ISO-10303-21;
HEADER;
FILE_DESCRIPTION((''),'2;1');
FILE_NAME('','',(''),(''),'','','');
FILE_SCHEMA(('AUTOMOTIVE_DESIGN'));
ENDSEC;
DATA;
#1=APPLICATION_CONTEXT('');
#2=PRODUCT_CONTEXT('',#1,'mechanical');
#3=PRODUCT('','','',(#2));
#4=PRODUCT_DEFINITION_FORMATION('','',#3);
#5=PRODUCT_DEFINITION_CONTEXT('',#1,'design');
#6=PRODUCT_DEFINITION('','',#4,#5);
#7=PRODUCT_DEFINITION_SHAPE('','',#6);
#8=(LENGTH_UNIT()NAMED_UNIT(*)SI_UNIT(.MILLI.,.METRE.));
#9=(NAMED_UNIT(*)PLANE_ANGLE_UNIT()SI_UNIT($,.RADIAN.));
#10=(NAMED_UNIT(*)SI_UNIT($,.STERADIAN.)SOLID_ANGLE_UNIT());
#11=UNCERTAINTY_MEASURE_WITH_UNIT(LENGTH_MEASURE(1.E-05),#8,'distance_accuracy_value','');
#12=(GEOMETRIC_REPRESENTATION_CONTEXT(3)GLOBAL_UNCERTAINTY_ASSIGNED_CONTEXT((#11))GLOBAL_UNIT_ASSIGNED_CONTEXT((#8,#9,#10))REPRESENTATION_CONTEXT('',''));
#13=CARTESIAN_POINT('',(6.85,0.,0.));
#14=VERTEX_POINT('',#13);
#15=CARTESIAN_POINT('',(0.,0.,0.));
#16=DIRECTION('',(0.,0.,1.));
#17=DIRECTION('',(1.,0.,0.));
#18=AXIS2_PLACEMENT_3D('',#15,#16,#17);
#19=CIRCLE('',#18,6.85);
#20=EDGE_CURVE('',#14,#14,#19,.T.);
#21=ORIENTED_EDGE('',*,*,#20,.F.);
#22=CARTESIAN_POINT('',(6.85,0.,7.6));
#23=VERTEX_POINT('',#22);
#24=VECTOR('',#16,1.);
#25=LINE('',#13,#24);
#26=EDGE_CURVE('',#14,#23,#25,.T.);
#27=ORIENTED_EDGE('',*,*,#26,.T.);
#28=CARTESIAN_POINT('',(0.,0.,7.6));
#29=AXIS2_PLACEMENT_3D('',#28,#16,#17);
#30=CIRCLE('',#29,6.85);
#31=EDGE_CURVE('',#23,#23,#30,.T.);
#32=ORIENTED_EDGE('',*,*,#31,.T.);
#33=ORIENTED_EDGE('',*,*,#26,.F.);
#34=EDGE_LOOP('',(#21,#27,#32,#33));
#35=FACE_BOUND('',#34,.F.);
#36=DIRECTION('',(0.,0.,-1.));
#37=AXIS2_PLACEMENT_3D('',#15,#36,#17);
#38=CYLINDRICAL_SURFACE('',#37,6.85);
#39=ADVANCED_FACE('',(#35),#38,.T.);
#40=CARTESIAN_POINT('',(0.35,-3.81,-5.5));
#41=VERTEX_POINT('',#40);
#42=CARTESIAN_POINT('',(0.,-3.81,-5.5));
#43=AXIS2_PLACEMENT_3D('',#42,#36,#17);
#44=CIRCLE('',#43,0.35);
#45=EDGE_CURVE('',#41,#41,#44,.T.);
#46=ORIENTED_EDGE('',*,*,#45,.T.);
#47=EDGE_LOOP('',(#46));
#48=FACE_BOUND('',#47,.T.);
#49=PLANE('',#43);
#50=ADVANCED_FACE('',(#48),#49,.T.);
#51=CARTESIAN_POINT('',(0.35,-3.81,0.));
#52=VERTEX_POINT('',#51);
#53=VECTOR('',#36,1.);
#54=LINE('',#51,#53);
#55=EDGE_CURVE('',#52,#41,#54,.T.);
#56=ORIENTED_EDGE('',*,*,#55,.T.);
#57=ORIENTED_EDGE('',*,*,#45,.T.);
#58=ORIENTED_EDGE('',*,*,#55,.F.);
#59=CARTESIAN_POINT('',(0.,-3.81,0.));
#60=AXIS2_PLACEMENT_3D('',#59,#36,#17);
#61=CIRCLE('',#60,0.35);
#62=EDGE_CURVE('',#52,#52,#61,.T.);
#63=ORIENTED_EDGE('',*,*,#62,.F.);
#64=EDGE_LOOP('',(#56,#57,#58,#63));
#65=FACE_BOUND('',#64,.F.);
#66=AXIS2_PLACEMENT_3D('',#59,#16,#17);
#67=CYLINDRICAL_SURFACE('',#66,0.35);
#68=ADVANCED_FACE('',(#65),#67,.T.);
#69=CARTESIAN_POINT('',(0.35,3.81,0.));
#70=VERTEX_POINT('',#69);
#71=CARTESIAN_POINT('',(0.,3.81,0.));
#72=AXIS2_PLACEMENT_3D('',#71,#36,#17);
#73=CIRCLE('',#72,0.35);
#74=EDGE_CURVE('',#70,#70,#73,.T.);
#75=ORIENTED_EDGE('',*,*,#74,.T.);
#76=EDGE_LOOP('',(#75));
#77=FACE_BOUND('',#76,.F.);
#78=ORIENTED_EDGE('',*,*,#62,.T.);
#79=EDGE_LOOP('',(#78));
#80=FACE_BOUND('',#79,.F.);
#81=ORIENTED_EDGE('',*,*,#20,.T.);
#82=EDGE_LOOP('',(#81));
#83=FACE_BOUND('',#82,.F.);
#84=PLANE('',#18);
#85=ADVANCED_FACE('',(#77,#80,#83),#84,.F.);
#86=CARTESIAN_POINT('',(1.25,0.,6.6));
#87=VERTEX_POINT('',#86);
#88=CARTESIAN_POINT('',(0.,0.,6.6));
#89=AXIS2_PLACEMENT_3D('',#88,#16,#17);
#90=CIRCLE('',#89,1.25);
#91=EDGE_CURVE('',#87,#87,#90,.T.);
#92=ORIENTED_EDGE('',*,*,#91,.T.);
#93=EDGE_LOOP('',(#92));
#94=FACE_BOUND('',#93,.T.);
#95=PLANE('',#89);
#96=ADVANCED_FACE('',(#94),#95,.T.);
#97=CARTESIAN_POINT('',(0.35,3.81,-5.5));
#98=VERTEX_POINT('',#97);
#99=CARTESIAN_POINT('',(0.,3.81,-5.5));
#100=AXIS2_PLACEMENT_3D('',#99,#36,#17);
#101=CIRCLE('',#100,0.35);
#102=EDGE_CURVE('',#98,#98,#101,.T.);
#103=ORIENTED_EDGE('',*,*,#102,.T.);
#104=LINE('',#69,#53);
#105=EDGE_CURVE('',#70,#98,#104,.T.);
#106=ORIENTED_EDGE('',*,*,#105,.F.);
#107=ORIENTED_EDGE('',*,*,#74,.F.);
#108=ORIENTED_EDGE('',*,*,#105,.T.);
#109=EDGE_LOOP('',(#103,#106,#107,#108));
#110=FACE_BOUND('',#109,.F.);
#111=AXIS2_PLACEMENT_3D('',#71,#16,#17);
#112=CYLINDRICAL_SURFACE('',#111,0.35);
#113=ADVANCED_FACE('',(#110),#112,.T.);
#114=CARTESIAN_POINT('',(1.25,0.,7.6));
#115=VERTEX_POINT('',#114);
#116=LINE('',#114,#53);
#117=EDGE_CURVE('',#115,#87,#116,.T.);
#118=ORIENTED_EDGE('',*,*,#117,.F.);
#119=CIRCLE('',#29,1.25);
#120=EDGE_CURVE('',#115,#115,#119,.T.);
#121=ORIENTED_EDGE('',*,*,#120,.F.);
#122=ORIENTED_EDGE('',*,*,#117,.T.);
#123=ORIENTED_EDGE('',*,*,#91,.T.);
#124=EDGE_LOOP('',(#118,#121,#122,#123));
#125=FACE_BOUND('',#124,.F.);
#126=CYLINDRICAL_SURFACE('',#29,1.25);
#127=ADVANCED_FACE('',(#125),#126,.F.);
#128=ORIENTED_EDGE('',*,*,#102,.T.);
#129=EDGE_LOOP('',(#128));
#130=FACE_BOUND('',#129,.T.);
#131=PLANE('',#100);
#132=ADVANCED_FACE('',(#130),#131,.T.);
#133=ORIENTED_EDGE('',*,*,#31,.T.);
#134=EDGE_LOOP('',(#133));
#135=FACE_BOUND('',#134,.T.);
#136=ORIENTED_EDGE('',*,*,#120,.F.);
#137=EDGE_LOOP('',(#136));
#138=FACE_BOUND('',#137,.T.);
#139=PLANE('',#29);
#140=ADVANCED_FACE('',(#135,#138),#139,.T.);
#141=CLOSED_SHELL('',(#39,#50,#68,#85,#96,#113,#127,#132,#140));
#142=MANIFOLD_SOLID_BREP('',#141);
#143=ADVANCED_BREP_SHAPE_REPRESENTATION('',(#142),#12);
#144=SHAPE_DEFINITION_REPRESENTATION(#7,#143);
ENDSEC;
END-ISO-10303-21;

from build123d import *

# Parameters (mm, degrees)
F0_R     = 6.85
F1_DEPTH = 7.6
F2_R     = 1.25
F3_DEPTH = 1
F4_R     = 0.35
F5_DEPTH = 5.5


with BuildPart() as f1:
    # F0 (on Top) → F1 (new body)
    with BuildSketch(Plane.XY):
        Circle(F0_R)
    extrude(amount=F1_DEPTH)

    # F2 (on face) → F3 (cut)
    with BuildSketch(Plane.XY.offset(7.6)):
        Circle(F2_R)
    extrude(amount=-F3_DEPTH, mode=Mode.SUBTRACT)

    # F4 (on face) → F5 (join)
    with BuildSketch(Plane(origin=(0, 0, 0), x_dir=(1, 0, 0), z_dir=(0, 0, -1))):
        with Locations((0, 3.81)):
            Circle(F4_R)
        with Locations((0, -3.81)):
            Circle(F4_R)
    extrude(amount=F5_DEPTH)


solid = f1.part
